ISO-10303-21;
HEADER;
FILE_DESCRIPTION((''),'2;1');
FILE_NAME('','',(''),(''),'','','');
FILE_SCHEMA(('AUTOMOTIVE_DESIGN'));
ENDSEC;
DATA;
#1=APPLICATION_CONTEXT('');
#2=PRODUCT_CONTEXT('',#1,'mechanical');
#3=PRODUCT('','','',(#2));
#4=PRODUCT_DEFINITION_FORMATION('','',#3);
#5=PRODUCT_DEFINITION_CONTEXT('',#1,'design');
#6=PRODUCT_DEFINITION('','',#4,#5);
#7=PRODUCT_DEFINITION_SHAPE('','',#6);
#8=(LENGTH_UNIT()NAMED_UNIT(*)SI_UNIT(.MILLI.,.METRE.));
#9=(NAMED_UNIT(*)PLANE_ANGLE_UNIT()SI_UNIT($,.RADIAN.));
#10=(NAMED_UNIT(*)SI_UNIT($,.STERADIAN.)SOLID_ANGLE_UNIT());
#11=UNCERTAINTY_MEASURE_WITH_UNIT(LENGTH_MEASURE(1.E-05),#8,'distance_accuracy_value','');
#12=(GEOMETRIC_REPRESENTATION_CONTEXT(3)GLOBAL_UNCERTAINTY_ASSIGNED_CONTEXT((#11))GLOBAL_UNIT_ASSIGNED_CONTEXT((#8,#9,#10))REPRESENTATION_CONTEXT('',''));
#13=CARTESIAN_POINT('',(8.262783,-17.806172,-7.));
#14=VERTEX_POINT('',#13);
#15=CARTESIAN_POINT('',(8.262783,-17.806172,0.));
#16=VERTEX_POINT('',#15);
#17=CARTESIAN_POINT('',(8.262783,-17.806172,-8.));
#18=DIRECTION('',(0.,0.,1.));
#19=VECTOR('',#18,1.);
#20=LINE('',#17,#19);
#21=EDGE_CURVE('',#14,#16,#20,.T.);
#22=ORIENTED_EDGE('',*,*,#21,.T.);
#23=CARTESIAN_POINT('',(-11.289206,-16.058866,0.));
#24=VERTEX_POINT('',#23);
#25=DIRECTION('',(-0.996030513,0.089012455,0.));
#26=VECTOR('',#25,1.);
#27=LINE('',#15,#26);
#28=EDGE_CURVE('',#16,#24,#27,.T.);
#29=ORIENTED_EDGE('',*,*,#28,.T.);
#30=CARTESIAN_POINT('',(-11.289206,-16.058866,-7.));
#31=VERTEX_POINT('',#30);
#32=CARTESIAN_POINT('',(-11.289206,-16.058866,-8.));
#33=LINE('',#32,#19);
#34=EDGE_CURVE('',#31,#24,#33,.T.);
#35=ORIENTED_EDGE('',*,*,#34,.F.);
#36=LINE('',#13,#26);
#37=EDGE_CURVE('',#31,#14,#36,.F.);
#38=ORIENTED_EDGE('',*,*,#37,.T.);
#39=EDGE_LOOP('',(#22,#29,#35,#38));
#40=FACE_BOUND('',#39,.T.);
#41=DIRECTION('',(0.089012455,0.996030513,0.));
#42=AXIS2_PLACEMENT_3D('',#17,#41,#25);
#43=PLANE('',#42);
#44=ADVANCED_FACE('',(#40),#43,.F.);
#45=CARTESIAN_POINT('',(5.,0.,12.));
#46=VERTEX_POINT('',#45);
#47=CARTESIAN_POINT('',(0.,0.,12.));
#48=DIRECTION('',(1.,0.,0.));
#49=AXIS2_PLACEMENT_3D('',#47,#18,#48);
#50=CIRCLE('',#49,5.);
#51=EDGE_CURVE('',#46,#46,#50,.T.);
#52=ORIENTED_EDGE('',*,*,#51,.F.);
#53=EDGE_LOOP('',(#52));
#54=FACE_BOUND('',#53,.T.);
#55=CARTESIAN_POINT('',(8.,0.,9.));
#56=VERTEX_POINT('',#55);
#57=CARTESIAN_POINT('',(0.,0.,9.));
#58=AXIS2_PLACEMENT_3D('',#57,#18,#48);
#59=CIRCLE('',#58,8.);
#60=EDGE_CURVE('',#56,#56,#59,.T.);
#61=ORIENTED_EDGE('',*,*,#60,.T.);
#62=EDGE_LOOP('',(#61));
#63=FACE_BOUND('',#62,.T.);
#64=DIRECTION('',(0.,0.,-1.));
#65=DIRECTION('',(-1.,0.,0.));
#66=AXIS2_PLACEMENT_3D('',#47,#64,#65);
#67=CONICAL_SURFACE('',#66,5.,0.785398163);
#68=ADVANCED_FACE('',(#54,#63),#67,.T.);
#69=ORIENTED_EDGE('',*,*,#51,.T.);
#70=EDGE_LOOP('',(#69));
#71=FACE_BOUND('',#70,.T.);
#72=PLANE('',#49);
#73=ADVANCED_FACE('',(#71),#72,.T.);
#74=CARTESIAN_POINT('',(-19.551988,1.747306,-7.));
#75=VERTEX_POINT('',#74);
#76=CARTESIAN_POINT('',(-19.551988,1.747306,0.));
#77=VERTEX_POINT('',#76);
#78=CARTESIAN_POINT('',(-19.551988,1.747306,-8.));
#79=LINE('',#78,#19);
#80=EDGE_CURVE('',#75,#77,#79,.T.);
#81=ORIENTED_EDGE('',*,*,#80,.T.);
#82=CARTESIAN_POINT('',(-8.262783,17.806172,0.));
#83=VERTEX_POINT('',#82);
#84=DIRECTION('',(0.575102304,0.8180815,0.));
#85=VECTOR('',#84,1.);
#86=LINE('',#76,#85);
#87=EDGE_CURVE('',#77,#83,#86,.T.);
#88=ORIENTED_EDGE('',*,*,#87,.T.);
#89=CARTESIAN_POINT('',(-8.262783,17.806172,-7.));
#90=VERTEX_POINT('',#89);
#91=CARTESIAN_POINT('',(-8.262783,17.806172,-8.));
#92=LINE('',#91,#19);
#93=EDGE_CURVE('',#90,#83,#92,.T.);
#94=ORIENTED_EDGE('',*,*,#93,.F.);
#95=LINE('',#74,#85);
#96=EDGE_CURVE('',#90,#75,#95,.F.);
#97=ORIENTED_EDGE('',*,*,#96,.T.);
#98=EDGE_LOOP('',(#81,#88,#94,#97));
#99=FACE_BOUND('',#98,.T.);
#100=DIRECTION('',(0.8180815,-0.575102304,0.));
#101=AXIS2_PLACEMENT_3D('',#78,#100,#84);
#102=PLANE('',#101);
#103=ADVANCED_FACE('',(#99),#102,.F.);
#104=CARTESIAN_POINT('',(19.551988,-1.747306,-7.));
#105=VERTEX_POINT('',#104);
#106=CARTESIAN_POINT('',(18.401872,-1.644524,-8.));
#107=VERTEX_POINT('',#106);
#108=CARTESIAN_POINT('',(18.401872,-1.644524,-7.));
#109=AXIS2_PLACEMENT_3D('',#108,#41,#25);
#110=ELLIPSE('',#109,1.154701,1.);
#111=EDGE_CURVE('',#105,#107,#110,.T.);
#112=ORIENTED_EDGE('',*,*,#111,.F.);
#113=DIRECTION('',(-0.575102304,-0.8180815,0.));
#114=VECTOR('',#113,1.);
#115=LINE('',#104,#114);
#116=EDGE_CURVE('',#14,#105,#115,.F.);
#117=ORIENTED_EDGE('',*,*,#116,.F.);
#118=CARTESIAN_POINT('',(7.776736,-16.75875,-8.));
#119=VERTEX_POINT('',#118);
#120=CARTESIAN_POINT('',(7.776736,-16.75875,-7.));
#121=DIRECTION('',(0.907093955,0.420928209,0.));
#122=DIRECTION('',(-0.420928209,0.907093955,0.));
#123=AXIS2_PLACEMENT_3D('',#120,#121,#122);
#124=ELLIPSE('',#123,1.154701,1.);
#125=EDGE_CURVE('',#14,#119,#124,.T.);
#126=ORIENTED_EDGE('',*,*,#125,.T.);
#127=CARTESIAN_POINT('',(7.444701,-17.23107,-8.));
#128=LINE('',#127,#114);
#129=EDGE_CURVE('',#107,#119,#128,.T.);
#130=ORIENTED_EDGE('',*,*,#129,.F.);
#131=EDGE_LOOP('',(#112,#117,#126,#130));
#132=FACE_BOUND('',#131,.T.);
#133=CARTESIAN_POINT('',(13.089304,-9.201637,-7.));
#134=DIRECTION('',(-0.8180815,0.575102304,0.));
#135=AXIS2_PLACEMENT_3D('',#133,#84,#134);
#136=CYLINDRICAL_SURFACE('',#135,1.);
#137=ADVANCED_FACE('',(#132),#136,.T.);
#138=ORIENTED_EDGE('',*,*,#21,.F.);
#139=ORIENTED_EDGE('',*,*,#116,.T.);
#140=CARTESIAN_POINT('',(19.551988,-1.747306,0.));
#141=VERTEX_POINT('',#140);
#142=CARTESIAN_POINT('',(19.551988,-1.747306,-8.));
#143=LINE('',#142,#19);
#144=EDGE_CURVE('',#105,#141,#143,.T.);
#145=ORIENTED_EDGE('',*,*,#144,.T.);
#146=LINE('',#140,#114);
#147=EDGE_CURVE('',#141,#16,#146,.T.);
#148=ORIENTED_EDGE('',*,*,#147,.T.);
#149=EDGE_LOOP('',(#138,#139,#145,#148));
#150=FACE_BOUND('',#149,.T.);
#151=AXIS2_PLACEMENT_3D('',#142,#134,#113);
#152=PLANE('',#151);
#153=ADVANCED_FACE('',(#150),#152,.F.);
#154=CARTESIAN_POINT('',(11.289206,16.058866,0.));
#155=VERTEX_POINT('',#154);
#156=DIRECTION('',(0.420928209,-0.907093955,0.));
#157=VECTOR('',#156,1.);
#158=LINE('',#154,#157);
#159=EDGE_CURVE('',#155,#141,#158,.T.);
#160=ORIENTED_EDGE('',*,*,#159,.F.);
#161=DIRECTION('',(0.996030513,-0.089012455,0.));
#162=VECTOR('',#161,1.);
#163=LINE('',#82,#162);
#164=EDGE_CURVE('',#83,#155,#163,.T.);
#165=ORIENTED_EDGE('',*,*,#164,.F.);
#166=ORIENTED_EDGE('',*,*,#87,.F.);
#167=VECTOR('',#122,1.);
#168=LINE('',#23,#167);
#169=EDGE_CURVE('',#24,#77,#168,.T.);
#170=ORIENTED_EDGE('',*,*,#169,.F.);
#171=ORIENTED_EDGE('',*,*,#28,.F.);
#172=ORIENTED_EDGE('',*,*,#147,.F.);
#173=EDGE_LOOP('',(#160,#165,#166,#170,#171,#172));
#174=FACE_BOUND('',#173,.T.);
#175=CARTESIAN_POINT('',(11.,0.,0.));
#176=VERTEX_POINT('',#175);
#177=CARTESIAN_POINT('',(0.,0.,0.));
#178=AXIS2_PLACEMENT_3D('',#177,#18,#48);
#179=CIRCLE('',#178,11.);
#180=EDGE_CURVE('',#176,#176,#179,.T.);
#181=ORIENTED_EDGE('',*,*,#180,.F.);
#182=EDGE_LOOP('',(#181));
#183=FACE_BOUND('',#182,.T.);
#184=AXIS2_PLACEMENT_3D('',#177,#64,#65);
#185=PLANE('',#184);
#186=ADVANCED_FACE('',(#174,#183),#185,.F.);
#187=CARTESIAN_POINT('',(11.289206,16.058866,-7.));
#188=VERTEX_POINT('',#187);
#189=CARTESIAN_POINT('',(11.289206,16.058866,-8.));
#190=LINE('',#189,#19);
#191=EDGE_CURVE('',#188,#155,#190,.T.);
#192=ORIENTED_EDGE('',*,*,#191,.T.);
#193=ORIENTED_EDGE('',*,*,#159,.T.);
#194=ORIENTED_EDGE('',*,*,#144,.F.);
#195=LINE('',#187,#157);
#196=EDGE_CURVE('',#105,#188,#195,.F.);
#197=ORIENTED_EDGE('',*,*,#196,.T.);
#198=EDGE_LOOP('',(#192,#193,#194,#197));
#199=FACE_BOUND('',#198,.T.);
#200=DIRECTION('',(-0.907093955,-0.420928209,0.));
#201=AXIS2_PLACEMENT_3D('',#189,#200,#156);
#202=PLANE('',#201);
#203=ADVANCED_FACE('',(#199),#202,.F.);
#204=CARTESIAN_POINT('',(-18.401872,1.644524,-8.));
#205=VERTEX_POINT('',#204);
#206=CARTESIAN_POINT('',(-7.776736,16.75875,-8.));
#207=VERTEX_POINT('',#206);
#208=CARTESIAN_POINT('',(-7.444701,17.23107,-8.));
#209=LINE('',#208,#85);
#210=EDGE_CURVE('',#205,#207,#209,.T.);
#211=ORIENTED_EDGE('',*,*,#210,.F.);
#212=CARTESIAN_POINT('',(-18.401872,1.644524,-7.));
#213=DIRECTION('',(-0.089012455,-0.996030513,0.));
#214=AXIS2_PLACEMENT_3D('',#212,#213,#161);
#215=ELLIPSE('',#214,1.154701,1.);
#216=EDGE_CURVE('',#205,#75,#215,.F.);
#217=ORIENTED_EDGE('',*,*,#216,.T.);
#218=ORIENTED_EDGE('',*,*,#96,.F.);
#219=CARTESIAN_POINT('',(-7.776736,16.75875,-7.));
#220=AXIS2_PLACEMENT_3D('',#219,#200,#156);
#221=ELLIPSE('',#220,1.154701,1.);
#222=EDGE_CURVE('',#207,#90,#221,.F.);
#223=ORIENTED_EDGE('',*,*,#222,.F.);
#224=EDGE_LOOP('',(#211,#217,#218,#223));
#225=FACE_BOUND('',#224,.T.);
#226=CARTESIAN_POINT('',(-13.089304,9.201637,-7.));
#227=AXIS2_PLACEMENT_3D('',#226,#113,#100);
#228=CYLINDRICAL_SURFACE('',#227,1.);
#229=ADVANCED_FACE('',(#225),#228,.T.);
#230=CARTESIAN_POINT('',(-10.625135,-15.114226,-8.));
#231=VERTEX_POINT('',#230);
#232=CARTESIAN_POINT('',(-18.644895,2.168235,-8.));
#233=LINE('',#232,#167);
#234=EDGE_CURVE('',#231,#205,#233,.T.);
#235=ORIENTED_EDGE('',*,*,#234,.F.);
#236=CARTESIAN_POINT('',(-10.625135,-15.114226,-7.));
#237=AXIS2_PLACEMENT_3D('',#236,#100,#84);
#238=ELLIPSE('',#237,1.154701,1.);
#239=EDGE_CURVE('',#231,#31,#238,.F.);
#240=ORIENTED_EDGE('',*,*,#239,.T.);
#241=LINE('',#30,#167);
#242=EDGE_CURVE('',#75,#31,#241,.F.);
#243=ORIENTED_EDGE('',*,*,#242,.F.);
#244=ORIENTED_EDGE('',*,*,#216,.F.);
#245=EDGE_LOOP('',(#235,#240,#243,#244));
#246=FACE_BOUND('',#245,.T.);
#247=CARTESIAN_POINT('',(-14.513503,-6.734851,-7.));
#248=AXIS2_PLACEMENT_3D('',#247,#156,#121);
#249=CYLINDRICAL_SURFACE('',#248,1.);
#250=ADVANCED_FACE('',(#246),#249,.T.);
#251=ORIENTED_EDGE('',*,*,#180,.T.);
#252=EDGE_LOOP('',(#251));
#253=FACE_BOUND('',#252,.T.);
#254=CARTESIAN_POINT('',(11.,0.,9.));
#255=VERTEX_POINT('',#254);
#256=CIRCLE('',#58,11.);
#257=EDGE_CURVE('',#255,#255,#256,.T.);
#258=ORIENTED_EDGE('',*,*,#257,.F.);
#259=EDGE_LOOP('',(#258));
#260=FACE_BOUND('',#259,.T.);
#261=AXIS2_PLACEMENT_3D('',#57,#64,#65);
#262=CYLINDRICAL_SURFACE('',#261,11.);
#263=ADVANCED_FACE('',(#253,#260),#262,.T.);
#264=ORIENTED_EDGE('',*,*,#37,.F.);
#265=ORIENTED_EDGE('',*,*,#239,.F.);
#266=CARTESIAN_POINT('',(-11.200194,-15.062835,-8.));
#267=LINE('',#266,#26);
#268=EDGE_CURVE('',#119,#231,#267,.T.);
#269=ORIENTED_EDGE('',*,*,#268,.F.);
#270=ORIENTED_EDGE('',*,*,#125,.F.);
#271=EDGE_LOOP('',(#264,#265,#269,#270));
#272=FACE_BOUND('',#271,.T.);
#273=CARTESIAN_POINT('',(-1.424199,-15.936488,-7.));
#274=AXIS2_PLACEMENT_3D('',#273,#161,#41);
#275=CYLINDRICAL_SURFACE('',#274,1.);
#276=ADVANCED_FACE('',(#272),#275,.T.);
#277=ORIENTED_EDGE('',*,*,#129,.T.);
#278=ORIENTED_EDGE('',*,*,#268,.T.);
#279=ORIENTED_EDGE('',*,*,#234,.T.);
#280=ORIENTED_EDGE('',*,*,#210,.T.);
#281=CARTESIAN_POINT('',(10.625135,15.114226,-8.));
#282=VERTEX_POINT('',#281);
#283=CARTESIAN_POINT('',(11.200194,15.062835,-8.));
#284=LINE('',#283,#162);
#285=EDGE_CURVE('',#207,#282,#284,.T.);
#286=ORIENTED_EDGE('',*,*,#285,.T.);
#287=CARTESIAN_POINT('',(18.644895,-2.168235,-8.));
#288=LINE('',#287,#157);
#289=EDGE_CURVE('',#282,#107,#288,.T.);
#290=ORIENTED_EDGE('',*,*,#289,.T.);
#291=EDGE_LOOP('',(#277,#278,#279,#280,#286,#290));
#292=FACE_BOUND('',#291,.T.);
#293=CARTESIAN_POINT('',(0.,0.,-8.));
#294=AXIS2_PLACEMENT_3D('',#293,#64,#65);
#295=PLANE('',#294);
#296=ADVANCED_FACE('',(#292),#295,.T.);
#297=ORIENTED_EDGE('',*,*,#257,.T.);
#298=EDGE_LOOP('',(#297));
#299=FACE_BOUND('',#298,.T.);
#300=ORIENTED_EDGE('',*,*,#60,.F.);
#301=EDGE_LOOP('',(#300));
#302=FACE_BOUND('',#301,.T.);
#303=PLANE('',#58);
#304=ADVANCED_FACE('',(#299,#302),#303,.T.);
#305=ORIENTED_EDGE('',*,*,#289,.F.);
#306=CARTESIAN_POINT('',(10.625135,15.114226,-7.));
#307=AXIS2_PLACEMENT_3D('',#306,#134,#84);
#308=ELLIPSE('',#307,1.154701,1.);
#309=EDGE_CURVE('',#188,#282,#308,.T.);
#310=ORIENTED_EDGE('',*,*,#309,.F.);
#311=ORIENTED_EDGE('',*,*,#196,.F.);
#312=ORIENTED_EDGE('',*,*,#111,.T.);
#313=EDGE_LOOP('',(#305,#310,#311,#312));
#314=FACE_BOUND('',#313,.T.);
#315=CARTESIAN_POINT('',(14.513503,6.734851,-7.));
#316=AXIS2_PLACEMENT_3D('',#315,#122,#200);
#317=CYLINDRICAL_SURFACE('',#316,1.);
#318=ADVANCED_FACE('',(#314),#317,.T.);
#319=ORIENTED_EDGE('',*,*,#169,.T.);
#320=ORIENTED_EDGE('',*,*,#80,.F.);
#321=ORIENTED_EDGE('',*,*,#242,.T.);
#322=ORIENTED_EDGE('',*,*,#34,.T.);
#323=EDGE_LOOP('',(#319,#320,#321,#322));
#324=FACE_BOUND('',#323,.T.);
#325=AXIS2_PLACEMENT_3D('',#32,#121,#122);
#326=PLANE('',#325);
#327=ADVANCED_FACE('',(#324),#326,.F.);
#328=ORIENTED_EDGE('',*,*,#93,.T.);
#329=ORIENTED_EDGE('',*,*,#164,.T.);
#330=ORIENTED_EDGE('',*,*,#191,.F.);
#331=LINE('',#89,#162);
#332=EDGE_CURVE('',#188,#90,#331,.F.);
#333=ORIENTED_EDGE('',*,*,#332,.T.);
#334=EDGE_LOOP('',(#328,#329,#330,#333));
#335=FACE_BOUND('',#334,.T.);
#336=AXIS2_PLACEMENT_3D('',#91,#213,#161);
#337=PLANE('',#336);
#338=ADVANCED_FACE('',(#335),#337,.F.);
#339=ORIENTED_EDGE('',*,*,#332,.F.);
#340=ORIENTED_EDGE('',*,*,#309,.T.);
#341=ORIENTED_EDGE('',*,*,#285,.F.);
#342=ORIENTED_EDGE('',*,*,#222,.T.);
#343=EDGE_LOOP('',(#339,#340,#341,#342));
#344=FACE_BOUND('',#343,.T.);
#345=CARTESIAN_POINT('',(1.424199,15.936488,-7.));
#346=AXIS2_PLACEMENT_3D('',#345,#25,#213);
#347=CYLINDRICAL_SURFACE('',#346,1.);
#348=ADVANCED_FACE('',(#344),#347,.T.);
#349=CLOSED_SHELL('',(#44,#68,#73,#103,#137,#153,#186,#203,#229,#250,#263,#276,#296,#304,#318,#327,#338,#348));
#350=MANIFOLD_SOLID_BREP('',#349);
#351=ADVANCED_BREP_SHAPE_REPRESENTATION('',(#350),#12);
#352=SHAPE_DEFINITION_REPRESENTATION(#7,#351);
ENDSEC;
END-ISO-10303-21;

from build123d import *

# Parameters (mm, degrees)
SCHIZZO1_R                   = 11
ESTRUSIONE_ESTRUSIONE1_DEPTH = 9
ESTRUSIONE_ESTRUSIONE2_DEPTH = 8
RACCORDO1_R                  = 1
SCHIZZO5_R                   = 8
SCHIZZO4_R                   = 5


with BuildPart() as part:
    # Schizzo1 → Estrusione-Estrusione1 (new body)
    with BuildSketch(Plane.XY):
        Circle(SCHIZZO1_R)
    extrude(amount=ESTRUSIONE_ESTRUSIONE1_DEPTH)

    # Schizzo2 → Estrusione-Estrusione2 (add)
    with BuildSketch(Plane(origin=(0, 0, 0), x_dir=(-1, 0, 0), z_dir=(0, 0, -1))):
        Polygon((-19.551988484, -1.747306402), (-8.26278251, -17.806171922), (11.289205974, -16.058865521), (19.551988484, 1.747306402), (8.26278251, 17.806171922), (-11.289205974, 16.058865521), align=None)
    extrude(amount=ESTRUSIONE_ESTRUSIONE2_DEPTH)

    # Raccordo1
    raccordo1_edges = [part.edges().sort_by_distance(p)[0] for p in [
        (1.513211732, 16.932518721, -8),
        (15.420597229, 7.155779559, -8),
        (13.907385497, -9.776739162, -8),
        (-1.513211732, -16.932518721, -8),
        (-15.420597229, -7.155779559, -8),
        (-13.907385497, 9.776739162, -8),
    ]]
    fillet(raccordo1_edges, radius=RACCORDO1_R)

    # Schizzo5 → Loft1 section 0
    with BuildSketch(Plane.XY.offset(9)):
        Circle(SCHIZZO5_R)
    # Schizzo4 → Loft1 section 1
    with BuildSketch(Plane.XY.offset(12)):
        Circle(SCHIZZO4_R)
    loft()


solid = part.part
